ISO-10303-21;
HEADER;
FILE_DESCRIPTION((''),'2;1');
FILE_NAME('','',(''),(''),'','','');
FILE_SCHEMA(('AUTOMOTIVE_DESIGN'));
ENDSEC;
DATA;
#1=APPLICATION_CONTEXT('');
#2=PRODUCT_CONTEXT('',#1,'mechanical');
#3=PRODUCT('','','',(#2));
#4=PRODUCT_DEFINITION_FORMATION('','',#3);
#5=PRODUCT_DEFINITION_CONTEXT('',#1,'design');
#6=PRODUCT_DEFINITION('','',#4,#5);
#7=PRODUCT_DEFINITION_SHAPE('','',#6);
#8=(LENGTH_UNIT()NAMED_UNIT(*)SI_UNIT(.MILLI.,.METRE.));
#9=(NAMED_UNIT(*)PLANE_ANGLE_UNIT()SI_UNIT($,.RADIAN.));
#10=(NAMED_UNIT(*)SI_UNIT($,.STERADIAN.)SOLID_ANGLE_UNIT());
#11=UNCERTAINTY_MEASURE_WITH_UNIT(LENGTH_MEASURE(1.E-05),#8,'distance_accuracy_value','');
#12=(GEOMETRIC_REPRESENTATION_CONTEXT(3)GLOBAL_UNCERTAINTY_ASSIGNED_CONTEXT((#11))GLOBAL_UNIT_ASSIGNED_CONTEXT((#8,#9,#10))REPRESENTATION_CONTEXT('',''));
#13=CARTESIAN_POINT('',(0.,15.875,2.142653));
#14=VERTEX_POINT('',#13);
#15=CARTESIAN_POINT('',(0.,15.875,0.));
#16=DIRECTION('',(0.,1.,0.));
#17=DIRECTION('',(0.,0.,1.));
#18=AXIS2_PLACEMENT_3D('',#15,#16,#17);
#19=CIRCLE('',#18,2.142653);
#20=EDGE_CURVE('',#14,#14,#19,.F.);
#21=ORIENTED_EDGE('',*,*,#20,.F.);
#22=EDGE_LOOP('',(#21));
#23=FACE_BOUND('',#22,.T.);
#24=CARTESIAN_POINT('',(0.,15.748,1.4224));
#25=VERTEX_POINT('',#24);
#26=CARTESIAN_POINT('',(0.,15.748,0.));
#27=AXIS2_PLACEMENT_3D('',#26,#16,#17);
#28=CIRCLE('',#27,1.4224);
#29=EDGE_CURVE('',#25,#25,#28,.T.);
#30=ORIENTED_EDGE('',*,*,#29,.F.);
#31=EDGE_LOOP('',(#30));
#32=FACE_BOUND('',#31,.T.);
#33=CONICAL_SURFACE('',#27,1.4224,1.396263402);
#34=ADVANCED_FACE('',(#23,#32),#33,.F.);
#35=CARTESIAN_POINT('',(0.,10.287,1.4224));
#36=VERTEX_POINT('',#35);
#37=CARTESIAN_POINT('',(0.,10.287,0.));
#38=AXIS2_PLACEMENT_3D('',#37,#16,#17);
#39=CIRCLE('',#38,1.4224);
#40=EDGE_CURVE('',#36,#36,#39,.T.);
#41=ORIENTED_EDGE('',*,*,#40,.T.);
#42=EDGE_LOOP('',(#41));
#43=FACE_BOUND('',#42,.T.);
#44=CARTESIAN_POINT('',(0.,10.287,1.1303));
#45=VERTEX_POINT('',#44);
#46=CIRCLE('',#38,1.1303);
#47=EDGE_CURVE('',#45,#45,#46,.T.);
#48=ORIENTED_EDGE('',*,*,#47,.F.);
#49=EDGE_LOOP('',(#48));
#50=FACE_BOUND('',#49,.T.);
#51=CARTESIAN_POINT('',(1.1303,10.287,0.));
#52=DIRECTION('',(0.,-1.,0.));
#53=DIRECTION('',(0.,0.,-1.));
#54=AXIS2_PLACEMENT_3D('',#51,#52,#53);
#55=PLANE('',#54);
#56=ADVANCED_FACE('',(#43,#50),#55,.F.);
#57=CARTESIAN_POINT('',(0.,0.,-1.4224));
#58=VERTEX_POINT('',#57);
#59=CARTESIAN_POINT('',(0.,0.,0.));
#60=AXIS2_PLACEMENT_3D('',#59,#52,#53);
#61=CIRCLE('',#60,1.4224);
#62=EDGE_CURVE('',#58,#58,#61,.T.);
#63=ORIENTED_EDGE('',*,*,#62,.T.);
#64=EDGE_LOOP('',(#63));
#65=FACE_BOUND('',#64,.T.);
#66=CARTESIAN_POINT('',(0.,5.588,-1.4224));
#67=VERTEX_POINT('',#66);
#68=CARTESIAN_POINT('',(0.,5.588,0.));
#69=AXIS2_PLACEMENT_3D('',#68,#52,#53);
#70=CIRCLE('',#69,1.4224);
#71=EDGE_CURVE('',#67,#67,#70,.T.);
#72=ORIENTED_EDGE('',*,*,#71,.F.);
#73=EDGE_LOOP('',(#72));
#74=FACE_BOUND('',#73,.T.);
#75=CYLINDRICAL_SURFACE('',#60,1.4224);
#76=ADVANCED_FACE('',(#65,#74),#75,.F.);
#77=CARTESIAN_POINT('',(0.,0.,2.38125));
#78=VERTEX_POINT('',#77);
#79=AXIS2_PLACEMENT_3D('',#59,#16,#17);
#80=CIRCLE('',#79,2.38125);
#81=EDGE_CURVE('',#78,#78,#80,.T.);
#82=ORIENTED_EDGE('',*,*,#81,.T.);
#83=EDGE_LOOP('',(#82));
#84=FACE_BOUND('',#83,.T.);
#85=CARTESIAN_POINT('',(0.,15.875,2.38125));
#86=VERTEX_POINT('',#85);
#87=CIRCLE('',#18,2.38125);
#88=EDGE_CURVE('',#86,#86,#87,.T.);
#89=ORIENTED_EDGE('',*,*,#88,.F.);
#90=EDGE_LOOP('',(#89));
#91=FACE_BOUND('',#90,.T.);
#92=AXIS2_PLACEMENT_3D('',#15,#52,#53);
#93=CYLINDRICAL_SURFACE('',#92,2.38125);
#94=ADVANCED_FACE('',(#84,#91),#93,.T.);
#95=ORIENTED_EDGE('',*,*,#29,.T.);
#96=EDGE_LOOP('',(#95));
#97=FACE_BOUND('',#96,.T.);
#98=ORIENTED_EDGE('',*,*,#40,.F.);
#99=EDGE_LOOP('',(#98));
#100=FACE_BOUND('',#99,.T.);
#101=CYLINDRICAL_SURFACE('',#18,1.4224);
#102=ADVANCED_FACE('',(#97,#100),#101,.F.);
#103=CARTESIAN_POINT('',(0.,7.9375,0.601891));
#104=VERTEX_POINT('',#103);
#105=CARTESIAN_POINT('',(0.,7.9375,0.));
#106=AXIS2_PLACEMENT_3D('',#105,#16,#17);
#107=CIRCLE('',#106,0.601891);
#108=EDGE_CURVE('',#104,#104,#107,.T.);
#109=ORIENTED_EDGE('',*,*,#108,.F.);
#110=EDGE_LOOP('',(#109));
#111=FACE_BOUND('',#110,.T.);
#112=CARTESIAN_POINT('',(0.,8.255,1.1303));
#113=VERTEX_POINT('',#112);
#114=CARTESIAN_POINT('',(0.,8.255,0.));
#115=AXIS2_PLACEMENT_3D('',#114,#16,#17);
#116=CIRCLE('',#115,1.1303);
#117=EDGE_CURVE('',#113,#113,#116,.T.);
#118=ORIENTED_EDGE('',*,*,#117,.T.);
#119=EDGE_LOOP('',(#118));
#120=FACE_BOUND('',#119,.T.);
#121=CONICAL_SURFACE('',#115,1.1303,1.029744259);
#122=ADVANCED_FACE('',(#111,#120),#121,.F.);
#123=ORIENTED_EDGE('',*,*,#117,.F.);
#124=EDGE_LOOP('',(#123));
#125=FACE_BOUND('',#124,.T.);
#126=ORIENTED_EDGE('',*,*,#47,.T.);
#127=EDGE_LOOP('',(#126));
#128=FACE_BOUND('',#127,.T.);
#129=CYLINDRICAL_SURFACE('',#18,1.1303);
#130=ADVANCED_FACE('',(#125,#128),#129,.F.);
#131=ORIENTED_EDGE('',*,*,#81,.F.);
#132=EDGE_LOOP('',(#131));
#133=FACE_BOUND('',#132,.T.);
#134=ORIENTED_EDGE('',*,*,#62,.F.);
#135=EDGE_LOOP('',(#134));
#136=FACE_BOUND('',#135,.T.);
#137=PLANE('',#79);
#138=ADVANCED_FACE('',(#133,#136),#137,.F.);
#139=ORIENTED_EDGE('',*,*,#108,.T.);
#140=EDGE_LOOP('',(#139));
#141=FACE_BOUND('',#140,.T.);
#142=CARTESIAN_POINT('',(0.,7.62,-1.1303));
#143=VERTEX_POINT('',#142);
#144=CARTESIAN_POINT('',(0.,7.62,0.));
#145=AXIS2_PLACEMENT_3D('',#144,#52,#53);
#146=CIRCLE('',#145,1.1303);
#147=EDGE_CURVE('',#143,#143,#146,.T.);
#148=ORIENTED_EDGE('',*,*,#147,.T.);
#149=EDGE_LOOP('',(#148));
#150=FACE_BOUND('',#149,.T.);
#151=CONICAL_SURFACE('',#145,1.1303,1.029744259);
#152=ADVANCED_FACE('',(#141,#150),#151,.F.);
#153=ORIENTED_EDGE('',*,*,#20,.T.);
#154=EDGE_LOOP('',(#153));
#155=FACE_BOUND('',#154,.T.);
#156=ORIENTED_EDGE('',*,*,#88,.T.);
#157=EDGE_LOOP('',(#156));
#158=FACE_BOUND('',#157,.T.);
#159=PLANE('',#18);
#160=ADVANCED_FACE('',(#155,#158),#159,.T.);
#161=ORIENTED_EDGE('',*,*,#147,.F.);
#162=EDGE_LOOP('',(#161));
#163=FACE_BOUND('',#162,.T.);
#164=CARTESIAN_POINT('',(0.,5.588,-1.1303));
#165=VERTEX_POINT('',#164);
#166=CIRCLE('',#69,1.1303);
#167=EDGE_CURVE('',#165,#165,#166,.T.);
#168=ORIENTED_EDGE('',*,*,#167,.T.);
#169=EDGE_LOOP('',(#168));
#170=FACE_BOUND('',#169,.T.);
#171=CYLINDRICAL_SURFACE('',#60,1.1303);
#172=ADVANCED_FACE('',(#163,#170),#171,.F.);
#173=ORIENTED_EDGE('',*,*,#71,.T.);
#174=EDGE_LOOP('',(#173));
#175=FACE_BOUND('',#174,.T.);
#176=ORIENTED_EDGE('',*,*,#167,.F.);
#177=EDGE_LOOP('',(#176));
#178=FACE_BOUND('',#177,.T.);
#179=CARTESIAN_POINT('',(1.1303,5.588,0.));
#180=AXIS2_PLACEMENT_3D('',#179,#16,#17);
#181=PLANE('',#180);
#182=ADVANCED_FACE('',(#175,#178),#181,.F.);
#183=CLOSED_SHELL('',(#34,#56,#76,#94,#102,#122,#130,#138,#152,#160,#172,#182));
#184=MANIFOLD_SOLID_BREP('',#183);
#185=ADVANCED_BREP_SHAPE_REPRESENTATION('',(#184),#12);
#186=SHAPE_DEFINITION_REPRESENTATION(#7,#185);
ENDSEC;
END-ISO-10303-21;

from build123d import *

# Parameters (mm, degrees)
SKETCH1_R                                 = 2.38125
EXTRUDE1_DEPTH                            = 15.875
F_4_40_TAPPED_HOLE1_D                     = 2.2606
F_4_40_TAPPED_HOLE1_DEPTH                 = 7.62
F_4_40_TAPPED_HOLE1_CBORE_D               = 2.8448
F_4_40_TAPPED_HOLE1_CBORE_DEPTH           = 5.588
F_4_40_TAPPED_HOLE1_TIP                   = 0.679152758
F_4_40_TAPPED_HOLE1_ON_FACE_2_D           = 2.2606
F_4_40_TAPPED_HOLE1_ON_FACE_2_DEPTH       = 7.62
F_4_40_TAPPED_HOLE1_ON_FACE_2_CBORE_D     = 2.8448
F_4_40_TAPPED_HOLE1_ON_FACE_2_CBORE_DEPTH = 5.588
F_4_40_TAPPED_HOLE1_ON_FACE_2_TIP         = 0.679152758
CHAMFER1_SIZE                             = 0.127
CHAMFER1_SIZE2                            = 0.720252791


with BuildPart() as part:
    # Sketch1 → Extrude1 (new body)
    with BuildSketch(Plane(origin=(0, 0, 0), x_dir=(1, 0, 0), z_dir=(0, 1, 0))):
        with Locations(Location((0, 0, 0), (0, 0, 270))):  # turned: the seam where the file's is
            Circle(SKETCH1_R)
    extrude(amount=EXTRUDE1_DEPTH)

    # #4-40 Tapped Hole1
    with Locations(Plane.ZX.offset(15.875)):
        with Locations((0, 0)):
            CounterBoreHole(F_4_40_TAPPED_HOLE1_D / 2, F_4_40_TAPPED_HOLE1_CBORE_D / 2, F_4_40_TAPPED_HOLE1_CBORE_DEPTH, depth=F_4_40_TAPPED_HOLE1_DEPTH)
            with Locations((0, 0, -(F_4_40_TAPPED_HOLE1_DEPTH + F_4_40_TAPPED_HOLE1_TIP / 2))):  # 118° drill point
                Cone(0, F_4_40_TAPPED_HOLE1_D / 2, F_4_40_TAPPED_HOLE1_TIP, mode=Mode.SUBTRACT)

    # #4-40 Tapped Hole1 on face 2
    with Locations(Plane(origin=(0, 0, 0), x_dir=(0, 0, -1), z_dir=(0, -1, 0))):
        with Locations((0, 0)):
            CounterBoreHole(F_4_40_TAPPED_HOLE1_ON_FACE_2_D / 2, F_4_40_TAPPED_HOLE1_ON_FACE_2_CBORE_D / 2, F_4_40_TAPPED_HOLE1_ON_FACE_2_CBORE_DEPTH, depth=F_4_40_TAPPED_HOLE1_ON_FACE_2_DEPTH)
            with Locations((0, 0, -(F_4_40_TAPPED_HOLE1_ON_FACE_2_DEPTH + F_4_40_TAPPED_HOLE1_ON_FACE_2_TIP / 2))):  # 118° drill point
                Cone(0, F_4_40_TAPPED_HOLE1_ON_FACE_2_D / 2, F_4_40_TAPPED_HOLE1_ON_FACE_2_TIP, mode=Mode.SUBTRACT)

    # Chamfer1
    chamfer1_edges = [part.edges().sort_by_distance(p)[0] for p in [
        (0, 15.875, -1.4224),
    ]]
    chamfer1_side = [part.faces().sort_by_distance(p)[0] for p in [
        (0, 13.081, -1.4224),
    ]]
    chamfer(chamfer1_edges, length=CHAMFER1_SIZE, length2=CHAMFER1_SIZE2, reference=chamfer1_side[0])


solid = part.part
